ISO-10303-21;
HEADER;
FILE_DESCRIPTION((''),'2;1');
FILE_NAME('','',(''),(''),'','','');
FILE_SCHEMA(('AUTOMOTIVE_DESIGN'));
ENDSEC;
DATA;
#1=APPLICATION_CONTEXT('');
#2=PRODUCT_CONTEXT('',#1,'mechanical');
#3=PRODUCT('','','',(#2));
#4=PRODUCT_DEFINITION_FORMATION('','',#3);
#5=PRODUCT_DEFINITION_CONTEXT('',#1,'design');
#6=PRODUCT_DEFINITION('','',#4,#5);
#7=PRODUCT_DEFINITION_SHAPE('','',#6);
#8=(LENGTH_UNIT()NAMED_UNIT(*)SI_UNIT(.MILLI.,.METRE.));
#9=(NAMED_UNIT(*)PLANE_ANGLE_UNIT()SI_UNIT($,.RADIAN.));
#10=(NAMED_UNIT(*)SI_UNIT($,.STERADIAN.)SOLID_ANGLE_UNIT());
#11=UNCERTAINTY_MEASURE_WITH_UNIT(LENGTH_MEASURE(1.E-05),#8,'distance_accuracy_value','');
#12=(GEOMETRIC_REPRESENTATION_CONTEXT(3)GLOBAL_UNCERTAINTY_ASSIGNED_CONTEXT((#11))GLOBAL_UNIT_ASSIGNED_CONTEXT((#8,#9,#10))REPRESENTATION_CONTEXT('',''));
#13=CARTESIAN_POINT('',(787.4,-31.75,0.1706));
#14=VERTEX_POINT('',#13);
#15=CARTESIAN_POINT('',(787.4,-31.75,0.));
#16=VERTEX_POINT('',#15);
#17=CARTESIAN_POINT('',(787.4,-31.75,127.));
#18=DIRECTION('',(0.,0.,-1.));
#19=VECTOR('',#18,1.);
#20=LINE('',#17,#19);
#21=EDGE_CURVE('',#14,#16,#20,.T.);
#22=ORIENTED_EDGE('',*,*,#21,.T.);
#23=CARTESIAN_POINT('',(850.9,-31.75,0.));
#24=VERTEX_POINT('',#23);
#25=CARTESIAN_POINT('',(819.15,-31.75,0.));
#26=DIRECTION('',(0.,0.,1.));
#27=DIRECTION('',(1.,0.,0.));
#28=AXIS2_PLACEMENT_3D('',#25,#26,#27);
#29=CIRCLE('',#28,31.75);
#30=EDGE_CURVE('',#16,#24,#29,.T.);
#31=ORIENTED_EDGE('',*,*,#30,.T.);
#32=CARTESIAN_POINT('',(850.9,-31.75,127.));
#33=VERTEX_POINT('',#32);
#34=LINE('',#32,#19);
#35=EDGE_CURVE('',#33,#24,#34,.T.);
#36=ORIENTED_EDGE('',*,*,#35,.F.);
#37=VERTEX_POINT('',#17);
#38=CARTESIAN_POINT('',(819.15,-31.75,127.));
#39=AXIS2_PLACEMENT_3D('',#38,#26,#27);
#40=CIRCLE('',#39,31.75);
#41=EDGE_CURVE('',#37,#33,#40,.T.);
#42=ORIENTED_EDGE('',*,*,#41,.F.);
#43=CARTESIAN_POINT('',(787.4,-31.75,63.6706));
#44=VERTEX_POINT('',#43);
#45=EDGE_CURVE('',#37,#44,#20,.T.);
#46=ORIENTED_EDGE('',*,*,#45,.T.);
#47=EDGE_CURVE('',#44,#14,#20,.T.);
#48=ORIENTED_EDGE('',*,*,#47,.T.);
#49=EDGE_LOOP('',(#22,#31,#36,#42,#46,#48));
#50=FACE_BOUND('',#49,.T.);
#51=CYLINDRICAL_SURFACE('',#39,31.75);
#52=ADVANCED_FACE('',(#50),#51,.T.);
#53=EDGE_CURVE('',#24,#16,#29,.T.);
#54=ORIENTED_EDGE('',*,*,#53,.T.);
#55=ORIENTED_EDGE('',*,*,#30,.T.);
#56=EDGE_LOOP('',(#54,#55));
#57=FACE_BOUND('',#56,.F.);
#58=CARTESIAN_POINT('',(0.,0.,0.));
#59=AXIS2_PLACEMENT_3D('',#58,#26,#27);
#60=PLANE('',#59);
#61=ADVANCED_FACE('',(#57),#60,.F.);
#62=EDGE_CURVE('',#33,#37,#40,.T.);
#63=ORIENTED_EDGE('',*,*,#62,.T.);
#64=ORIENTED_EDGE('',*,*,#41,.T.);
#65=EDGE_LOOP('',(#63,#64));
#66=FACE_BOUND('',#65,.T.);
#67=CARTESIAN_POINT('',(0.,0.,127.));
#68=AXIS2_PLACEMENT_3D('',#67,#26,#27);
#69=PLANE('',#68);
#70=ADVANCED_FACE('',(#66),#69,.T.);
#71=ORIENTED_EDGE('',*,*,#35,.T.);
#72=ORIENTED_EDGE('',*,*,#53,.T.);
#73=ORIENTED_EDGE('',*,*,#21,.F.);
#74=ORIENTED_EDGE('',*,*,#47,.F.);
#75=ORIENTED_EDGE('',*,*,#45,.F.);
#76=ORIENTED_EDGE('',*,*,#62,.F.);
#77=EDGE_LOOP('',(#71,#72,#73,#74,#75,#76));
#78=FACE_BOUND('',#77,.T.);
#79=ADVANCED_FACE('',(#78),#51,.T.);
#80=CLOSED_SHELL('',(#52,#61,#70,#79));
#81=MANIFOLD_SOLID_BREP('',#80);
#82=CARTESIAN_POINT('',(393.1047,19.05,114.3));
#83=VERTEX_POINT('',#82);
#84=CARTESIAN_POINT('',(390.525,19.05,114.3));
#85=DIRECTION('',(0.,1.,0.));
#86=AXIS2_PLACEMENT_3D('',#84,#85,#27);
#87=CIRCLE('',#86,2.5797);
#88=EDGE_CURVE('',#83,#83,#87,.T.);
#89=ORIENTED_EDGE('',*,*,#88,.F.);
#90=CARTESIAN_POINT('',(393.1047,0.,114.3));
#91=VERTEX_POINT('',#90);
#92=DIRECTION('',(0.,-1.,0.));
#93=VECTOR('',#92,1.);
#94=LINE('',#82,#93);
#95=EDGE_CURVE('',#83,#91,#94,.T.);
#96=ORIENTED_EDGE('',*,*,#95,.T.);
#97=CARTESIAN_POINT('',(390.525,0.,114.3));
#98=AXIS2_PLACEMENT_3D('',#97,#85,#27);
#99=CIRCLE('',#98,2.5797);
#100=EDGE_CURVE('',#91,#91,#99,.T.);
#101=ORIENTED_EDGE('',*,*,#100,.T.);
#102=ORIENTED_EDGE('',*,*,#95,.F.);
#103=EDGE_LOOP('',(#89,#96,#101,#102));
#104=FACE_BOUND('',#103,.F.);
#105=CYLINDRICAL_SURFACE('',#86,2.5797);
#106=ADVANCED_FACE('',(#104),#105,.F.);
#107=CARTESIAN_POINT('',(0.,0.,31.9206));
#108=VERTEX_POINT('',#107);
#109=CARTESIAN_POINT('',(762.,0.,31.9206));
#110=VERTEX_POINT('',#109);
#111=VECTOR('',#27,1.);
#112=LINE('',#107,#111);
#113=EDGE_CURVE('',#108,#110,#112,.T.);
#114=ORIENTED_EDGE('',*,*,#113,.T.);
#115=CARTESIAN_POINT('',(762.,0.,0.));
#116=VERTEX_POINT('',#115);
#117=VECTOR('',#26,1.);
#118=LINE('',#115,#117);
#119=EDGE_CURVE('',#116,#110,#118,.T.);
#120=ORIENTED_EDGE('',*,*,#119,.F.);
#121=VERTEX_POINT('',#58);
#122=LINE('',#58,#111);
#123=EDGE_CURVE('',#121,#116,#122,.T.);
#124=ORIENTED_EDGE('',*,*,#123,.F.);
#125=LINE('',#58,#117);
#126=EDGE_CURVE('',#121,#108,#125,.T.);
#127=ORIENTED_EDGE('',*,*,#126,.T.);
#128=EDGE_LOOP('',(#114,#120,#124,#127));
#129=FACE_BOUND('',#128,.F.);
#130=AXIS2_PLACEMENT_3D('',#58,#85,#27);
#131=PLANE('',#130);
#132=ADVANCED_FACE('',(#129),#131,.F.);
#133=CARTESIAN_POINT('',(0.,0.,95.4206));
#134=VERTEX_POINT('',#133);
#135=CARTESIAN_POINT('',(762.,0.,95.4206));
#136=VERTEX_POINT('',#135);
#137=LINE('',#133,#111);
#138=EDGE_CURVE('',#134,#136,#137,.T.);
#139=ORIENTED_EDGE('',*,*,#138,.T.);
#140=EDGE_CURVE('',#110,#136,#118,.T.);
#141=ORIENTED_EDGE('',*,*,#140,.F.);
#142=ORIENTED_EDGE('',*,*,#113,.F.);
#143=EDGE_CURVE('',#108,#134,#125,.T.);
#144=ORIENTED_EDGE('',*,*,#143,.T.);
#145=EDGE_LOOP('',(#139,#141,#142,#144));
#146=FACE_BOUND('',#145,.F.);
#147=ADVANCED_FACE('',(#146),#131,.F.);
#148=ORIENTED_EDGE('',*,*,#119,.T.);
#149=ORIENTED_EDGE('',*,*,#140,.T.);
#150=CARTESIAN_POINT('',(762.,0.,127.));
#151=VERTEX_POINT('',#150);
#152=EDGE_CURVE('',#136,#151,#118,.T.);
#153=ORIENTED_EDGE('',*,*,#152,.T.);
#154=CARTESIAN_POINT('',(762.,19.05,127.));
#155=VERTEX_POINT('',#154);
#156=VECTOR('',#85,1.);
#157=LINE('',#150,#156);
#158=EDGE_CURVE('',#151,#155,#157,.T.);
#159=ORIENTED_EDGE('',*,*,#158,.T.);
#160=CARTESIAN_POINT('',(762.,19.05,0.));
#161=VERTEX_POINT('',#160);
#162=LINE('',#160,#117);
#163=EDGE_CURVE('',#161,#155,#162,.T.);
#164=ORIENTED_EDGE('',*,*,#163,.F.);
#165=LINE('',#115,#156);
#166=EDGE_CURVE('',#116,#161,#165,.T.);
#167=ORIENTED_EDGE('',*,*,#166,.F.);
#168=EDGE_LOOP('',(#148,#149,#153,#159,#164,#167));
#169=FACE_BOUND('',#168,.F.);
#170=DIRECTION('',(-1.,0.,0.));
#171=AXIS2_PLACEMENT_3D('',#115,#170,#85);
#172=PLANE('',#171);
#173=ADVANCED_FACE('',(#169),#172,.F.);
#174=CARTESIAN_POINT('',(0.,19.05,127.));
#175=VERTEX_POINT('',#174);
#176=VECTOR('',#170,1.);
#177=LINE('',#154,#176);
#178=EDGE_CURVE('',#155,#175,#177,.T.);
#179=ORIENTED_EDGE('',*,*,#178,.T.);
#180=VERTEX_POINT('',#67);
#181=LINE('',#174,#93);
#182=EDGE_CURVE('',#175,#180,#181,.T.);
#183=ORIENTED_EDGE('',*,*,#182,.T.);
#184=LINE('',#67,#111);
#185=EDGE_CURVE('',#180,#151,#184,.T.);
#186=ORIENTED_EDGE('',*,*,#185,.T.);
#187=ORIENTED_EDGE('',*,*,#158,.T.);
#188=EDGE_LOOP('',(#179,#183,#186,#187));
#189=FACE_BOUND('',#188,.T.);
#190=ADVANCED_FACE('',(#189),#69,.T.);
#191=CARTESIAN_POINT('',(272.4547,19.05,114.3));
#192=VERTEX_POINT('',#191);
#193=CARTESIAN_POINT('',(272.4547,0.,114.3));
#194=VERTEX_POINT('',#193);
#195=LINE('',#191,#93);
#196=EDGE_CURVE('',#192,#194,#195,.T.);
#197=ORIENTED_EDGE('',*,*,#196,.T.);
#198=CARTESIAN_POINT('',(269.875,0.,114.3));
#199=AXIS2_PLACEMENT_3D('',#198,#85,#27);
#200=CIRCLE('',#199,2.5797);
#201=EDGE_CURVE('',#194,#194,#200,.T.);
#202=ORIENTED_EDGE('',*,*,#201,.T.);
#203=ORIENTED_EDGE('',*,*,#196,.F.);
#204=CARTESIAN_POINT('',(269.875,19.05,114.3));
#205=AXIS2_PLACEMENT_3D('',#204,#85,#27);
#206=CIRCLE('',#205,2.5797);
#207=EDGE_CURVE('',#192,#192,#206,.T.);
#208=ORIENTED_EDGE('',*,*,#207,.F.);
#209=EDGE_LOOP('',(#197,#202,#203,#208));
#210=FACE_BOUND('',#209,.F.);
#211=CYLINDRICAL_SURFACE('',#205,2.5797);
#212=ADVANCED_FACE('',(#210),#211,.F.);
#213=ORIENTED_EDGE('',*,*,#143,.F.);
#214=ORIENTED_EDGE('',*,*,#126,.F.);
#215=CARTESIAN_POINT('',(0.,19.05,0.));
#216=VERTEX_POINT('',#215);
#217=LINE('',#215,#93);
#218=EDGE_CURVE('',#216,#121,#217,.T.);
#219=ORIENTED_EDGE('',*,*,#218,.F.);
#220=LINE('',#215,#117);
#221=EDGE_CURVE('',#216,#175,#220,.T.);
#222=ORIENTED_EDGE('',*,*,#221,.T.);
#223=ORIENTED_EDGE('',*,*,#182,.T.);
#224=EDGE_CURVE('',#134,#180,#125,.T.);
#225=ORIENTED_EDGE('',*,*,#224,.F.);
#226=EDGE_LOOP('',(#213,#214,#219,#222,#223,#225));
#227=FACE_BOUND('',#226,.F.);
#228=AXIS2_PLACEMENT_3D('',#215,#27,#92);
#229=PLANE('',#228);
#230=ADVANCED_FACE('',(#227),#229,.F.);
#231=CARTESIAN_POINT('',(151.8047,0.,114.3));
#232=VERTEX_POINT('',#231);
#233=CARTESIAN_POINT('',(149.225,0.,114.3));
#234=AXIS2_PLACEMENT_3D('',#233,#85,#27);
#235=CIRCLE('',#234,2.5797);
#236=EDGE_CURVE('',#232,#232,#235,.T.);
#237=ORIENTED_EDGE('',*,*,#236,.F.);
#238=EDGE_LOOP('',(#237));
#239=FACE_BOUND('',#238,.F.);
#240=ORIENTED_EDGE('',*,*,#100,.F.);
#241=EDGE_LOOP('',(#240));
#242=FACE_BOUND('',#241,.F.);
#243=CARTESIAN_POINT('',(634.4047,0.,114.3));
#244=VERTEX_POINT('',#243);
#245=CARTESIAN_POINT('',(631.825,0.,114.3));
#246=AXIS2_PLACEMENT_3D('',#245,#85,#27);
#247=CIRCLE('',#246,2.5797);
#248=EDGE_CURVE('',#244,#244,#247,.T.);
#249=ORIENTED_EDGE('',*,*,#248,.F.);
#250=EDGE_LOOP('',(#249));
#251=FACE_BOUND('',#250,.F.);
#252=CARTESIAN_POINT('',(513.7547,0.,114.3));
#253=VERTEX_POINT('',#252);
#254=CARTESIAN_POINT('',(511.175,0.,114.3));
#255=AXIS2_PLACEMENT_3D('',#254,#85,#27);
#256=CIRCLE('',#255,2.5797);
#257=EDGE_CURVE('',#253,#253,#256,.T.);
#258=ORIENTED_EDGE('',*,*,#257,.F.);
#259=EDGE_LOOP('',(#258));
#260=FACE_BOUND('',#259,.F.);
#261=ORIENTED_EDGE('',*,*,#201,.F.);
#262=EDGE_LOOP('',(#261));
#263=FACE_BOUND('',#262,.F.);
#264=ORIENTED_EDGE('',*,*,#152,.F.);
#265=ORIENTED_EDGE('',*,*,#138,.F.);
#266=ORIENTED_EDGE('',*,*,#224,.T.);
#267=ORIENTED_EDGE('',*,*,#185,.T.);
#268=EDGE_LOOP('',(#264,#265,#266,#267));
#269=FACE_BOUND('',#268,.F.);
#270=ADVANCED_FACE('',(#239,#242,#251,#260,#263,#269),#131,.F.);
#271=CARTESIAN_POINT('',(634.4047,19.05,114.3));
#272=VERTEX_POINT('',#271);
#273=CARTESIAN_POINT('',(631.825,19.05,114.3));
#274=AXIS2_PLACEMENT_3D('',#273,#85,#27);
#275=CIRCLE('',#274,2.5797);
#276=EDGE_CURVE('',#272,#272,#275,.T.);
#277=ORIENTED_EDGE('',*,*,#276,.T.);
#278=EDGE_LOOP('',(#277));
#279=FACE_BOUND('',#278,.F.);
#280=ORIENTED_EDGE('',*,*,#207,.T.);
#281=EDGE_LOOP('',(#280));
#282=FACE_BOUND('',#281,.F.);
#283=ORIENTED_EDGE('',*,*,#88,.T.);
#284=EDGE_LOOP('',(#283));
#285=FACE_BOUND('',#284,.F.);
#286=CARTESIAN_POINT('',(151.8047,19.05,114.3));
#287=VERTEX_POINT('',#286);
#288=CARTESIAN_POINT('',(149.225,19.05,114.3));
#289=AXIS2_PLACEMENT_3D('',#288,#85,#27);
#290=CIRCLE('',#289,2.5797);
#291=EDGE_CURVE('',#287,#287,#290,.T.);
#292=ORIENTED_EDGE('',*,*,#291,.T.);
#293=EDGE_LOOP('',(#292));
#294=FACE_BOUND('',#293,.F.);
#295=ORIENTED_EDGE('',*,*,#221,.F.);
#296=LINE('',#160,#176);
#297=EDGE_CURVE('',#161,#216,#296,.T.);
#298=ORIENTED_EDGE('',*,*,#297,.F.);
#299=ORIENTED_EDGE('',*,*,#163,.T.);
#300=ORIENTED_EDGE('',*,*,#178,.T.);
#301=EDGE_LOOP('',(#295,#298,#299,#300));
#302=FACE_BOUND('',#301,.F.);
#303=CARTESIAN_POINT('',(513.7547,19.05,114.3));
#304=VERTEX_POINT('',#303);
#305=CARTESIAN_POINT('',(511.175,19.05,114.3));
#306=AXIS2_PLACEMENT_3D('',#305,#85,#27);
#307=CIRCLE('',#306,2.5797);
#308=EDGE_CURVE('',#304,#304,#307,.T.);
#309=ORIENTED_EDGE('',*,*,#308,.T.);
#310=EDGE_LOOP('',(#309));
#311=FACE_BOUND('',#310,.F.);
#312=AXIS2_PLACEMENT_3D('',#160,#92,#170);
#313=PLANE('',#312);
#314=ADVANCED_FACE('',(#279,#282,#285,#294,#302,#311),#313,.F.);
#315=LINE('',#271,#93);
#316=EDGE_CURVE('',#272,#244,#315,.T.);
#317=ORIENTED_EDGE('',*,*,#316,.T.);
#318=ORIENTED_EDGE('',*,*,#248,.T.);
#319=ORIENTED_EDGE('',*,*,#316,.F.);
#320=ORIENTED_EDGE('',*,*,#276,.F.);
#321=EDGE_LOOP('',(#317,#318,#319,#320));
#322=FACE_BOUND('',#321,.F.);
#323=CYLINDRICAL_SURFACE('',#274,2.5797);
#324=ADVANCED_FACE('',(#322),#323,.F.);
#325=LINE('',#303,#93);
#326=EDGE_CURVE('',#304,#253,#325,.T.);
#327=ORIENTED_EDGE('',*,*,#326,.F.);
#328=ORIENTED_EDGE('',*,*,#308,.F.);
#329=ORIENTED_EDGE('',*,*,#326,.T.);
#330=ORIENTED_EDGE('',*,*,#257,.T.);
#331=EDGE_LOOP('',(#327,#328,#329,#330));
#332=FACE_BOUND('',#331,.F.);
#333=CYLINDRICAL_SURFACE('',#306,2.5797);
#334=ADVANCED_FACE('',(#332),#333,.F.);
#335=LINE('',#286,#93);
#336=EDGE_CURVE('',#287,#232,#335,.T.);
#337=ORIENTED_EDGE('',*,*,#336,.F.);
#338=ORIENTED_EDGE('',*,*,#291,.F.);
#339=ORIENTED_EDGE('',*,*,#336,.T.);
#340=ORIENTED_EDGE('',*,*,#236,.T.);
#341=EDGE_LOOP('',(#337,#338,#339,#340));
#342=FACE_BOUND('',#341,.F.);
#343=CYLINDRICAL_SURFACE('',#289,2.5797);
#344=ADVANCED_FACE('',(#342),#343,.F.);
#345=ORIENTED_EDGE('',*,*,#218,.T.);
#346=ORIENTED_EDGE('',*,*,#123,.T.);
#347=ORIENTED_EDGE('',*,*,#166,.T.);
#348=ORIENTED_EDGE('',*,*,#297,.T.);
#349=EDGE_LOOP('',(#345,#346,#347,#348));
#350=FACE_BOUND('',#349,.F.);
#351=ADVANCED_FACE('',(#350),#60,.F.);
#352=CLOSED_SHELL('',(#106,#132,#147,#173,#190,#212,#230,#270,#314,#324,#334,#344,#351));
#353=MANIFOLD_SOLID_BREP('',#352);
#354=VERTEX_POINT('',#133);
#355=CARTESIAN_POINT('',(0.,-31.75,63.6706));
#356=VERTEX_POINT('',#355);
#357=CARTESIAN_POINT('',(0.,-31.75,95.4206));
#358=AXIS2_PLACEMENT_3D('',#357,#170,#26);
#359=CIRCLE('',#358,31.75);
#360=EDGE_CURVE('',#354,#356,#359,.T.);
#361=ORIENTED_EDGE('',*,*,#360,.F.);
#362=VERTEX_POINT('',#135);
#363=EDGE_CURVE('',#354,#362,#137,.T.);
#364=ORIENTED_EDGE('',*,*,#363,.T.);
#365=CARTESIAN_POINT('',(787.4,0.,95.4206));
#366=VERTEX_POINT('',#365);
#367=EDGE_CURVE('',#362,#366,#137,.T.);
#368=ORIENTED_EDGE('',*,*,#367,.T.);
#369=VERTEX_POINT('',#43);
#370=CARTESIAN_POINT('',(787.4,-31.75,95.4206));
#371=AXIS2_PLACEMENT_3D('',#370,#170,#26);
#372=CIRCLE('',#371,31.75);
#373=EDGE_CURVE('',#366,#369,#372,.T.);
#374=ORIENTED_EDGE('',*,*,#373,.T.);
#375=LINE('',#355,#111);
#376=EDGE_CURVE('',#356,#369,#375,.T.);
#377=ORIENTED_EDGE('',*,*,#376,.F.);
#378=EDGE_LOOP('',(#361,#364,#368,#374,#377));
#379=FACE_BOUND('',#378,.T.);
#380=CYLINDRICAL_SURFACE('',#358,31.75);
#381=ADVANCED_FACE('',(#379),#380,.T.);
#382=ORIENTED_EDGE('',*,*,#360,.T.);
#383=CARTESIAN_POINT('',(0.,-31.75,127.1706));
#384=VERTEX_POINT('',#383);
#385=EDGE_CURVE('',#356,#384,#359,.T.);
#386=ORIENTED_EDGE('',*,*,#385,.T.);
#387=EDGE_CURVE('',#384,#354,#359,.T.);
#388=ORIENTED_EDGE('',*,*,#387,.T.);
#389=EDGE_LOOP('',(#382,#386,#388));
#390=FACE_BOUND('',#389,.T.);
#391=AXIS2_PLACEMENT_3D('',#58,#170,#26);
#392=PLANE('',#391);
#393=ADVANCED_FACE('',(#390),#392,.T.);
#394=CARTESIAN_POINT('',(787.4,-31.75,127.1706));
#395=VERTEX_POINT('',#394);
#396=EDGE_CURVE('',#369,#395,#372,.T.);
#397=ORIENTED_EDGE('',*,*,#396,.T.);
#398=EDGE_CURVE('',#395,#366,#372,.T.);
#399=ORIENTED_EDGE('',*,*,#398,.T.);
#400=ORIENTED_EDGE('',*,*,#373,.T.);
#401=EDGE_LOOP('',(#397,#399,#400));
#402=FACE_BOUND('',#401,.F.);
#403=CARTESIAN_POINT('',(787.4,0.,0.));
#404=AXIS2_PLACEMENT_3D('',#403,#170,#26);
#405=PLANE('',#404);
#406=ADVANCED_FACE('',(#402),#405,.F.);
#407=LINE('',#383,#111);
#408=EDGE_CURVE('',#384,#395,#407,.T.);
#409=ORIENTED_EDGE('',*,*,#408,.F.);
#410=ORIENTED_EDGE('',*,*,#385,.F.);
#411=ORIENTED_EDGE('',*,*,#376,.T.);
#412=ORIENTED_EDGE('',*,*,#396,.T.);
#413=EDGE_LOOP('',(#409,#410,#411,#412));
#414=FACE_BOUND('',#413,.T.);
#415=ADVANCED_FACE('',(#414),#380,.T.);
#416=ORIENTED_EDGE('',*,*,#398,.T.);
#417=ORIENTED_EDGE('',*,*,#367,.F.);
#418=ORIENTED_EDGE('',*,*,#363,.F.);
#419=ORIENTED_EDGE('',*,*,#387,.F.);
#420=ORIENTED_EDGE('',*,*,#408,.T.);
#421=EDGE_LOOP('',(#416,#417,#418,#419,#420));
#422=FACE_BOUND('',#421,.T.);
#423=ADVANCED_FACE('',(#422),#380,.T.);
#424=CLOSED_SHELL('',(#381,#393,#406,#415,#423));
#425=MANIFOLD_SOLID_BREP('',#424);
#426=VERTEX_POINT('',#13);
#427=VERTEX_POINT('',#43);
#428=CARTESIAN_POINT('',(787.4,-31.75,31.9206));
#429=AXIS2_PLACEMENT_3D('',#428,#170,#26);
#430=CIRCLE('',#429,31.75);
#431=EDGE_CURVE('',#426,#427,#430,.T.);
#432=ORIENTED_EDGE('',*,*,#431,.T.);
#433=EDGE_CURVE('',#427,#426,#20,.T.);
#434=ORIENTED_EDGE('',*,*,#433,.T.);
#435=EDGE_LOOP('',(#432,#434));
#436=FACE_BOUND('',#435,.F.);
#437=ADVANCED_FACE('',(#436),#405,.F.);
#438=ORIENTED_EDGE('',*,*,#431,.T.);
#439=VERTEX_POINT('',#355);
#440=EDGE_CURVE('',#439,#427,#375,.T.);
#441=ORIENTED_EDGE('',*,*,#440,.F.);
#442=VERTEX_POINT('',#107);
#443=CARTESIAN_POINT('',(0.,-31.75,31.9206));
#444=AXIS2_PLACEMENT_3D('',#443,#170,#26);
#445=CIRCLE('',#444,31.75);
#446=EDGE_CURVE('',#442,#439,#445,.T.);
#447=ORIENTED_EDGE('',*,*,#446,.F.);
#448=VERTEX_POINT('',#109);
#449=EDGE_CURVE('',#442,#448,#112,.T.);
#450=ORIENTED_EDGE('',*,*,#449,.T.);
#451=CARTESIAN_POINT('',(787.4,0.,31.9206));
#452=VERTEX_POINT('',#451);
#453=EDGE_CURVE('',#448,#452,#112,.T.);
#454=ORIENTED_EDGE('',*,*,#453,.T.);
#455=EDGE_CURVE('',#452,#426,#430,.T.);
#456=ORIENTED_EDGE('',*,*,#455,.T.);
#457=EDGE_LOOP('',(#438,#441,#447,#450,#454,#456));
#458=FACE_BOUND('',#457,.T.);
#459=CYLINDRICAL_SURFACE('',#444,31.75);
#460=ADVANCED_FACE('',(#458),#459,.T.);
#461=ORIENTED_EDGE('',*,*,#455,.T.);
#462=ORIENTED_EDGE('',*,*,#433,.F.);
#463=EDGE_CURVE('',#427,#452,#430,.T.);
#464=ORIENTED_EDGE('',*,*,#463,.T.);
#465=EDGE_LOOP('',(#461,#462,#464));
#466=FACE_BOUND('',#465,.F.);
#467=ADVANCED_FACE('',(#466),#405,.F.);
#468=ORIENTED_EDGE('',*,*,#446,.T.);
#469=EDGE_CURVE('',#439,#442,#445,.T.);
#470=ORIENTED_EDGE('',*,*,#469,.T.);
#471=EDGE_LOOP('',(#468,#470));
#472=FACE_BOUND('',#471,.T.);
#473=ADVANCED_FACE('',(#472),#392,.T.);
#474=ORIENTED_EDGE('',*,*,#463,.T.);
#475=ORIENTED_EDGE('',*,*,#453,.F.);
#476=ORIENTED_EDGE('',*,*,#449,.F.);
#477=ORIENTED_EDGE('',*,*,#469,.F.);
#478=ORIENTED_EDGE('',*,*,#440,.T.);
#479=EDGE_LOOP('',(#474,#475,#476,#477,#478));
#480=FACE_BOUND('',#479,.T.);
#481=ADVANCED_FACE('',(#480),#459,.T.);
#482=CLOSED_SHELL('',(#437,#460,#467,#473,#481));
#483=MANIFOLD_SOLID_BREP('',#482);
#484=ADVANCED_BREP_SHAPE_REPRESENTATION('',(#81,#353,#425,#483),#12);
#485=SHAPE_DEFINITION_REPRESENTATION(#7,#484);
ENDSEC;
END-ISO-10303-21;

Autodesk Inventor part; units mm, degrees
ref_plane "YZ Plane" through (0, 0, 0) normal (1, 0, 0) x (0, 1, 0)
ref_plane "XZ Plane" through (0, 0, 0) normal (0, 1, 0) x (-1, 0, 0)
ref_plane "XY Plane" through (0, 0, 0) normal (0, 0, 1) x (1, 0, 0)
sketch "Sketch1" plane through (0, 0, 0) normal (0, 0, 1) x (1, 0, 0)
  line L0 (0, 0) -> (762, 0)
  line L1 (762, 0) -> (762, 19.05)
  line L2 (762, 19.05) -> (0, 19.05)
  line L3 (0, 19.05) -> (0, 0)
  dimension "d0" = 762
  dimension "d1" = 19.05
extrude "Extrusion1" add sketch "Sketch1" along normal blind 127
sketch "Sketch2" plane through (0, 0, 0) normal (-1, 0, 0) x (0, 0, 1)
  line L0 (127.1706, 0) -> (127.1706, -31.75) construction
  line L1 (127.1706, -31.75) -> (95.4206, -31.75) construction
  line L2 (95.4206, -31.75) -> (31.9206, -31.75) construction
  circle A0 centre (31.9206, -31.75) radius 31.75
  line L3 (0, 0) -> (127, 0) projected
  circle A1 centre (95.4206, -31.75) radius 31.75
  dimension "d4" = 31.75
  dimension "d5" = 31.75
  dimension "d6" = 63.5
extrude "Extrusion2" add sketch "Sketch2" against normal blind 787.4 contours A0 | A1
sketch "Sketch4" plane through (0, 0, 127) normal (0, 0, 1) x (1, 0, 0)
  line L0 (0, -31.75) -> (787.4, -31.75) projected
  line L1 (787.4, -31.75) -> (819.15, -31.75) construction
  circle A0 centre (819.15, -31.75) radius 31.75
  point P0 (0, 0)
  dimension "d13" = 31.75
extrude "Extrusion4" add sketch "Sketch4" against normal blind 127
sketch "Sketch5" plane through (0, 19.05, 0) normal (0, 1, 0) x (1, 0, 0)
  line L0 (0, -127) -> (0, -114.3)
  line L1 (0, 0) -> (0, -127) projected
  line L2 (762, -31.9206) -> (762, -95.4206) construction
  line L3 (0, -114.3) -> (149.225, -114.3) construction
  circle A0 centre (149.225, -114.3) radius 2.5797
  line L4 (149.225, -114.3) -> (269.875, -114.3) construction
  line L5 (269.875, -114.3) -> (390.525, -114.3) construction
  line L6 (390.525, -114.3) -> (511.175, -114.3) construction
  line L7 (511.175, -114.3) -> (631.825, -114.3) construction
  circle A1 centre (269.875, -114.3) radius 2.5797
  circle A2 centre (390.525, -114.3) radius 2.5797
  circle A3 centre (511.175, -114.3) radius 2.5797
  circle A4 centre (631.825, -114.3) radius 2.5797
  dimension "d16" = 12.7
  dimension "d17" = 149.225
  dimension "d30" = 5.1594
  dimension "d33" = 120.65
  dimension "d34" = 120.65
  dimension "d35" = 120.65
  dimension "d36" = 120.65
extrude "Extrusion6" cut sketch "Sketch5" against normal blind 19.05
properties part number "Bumper Side"
